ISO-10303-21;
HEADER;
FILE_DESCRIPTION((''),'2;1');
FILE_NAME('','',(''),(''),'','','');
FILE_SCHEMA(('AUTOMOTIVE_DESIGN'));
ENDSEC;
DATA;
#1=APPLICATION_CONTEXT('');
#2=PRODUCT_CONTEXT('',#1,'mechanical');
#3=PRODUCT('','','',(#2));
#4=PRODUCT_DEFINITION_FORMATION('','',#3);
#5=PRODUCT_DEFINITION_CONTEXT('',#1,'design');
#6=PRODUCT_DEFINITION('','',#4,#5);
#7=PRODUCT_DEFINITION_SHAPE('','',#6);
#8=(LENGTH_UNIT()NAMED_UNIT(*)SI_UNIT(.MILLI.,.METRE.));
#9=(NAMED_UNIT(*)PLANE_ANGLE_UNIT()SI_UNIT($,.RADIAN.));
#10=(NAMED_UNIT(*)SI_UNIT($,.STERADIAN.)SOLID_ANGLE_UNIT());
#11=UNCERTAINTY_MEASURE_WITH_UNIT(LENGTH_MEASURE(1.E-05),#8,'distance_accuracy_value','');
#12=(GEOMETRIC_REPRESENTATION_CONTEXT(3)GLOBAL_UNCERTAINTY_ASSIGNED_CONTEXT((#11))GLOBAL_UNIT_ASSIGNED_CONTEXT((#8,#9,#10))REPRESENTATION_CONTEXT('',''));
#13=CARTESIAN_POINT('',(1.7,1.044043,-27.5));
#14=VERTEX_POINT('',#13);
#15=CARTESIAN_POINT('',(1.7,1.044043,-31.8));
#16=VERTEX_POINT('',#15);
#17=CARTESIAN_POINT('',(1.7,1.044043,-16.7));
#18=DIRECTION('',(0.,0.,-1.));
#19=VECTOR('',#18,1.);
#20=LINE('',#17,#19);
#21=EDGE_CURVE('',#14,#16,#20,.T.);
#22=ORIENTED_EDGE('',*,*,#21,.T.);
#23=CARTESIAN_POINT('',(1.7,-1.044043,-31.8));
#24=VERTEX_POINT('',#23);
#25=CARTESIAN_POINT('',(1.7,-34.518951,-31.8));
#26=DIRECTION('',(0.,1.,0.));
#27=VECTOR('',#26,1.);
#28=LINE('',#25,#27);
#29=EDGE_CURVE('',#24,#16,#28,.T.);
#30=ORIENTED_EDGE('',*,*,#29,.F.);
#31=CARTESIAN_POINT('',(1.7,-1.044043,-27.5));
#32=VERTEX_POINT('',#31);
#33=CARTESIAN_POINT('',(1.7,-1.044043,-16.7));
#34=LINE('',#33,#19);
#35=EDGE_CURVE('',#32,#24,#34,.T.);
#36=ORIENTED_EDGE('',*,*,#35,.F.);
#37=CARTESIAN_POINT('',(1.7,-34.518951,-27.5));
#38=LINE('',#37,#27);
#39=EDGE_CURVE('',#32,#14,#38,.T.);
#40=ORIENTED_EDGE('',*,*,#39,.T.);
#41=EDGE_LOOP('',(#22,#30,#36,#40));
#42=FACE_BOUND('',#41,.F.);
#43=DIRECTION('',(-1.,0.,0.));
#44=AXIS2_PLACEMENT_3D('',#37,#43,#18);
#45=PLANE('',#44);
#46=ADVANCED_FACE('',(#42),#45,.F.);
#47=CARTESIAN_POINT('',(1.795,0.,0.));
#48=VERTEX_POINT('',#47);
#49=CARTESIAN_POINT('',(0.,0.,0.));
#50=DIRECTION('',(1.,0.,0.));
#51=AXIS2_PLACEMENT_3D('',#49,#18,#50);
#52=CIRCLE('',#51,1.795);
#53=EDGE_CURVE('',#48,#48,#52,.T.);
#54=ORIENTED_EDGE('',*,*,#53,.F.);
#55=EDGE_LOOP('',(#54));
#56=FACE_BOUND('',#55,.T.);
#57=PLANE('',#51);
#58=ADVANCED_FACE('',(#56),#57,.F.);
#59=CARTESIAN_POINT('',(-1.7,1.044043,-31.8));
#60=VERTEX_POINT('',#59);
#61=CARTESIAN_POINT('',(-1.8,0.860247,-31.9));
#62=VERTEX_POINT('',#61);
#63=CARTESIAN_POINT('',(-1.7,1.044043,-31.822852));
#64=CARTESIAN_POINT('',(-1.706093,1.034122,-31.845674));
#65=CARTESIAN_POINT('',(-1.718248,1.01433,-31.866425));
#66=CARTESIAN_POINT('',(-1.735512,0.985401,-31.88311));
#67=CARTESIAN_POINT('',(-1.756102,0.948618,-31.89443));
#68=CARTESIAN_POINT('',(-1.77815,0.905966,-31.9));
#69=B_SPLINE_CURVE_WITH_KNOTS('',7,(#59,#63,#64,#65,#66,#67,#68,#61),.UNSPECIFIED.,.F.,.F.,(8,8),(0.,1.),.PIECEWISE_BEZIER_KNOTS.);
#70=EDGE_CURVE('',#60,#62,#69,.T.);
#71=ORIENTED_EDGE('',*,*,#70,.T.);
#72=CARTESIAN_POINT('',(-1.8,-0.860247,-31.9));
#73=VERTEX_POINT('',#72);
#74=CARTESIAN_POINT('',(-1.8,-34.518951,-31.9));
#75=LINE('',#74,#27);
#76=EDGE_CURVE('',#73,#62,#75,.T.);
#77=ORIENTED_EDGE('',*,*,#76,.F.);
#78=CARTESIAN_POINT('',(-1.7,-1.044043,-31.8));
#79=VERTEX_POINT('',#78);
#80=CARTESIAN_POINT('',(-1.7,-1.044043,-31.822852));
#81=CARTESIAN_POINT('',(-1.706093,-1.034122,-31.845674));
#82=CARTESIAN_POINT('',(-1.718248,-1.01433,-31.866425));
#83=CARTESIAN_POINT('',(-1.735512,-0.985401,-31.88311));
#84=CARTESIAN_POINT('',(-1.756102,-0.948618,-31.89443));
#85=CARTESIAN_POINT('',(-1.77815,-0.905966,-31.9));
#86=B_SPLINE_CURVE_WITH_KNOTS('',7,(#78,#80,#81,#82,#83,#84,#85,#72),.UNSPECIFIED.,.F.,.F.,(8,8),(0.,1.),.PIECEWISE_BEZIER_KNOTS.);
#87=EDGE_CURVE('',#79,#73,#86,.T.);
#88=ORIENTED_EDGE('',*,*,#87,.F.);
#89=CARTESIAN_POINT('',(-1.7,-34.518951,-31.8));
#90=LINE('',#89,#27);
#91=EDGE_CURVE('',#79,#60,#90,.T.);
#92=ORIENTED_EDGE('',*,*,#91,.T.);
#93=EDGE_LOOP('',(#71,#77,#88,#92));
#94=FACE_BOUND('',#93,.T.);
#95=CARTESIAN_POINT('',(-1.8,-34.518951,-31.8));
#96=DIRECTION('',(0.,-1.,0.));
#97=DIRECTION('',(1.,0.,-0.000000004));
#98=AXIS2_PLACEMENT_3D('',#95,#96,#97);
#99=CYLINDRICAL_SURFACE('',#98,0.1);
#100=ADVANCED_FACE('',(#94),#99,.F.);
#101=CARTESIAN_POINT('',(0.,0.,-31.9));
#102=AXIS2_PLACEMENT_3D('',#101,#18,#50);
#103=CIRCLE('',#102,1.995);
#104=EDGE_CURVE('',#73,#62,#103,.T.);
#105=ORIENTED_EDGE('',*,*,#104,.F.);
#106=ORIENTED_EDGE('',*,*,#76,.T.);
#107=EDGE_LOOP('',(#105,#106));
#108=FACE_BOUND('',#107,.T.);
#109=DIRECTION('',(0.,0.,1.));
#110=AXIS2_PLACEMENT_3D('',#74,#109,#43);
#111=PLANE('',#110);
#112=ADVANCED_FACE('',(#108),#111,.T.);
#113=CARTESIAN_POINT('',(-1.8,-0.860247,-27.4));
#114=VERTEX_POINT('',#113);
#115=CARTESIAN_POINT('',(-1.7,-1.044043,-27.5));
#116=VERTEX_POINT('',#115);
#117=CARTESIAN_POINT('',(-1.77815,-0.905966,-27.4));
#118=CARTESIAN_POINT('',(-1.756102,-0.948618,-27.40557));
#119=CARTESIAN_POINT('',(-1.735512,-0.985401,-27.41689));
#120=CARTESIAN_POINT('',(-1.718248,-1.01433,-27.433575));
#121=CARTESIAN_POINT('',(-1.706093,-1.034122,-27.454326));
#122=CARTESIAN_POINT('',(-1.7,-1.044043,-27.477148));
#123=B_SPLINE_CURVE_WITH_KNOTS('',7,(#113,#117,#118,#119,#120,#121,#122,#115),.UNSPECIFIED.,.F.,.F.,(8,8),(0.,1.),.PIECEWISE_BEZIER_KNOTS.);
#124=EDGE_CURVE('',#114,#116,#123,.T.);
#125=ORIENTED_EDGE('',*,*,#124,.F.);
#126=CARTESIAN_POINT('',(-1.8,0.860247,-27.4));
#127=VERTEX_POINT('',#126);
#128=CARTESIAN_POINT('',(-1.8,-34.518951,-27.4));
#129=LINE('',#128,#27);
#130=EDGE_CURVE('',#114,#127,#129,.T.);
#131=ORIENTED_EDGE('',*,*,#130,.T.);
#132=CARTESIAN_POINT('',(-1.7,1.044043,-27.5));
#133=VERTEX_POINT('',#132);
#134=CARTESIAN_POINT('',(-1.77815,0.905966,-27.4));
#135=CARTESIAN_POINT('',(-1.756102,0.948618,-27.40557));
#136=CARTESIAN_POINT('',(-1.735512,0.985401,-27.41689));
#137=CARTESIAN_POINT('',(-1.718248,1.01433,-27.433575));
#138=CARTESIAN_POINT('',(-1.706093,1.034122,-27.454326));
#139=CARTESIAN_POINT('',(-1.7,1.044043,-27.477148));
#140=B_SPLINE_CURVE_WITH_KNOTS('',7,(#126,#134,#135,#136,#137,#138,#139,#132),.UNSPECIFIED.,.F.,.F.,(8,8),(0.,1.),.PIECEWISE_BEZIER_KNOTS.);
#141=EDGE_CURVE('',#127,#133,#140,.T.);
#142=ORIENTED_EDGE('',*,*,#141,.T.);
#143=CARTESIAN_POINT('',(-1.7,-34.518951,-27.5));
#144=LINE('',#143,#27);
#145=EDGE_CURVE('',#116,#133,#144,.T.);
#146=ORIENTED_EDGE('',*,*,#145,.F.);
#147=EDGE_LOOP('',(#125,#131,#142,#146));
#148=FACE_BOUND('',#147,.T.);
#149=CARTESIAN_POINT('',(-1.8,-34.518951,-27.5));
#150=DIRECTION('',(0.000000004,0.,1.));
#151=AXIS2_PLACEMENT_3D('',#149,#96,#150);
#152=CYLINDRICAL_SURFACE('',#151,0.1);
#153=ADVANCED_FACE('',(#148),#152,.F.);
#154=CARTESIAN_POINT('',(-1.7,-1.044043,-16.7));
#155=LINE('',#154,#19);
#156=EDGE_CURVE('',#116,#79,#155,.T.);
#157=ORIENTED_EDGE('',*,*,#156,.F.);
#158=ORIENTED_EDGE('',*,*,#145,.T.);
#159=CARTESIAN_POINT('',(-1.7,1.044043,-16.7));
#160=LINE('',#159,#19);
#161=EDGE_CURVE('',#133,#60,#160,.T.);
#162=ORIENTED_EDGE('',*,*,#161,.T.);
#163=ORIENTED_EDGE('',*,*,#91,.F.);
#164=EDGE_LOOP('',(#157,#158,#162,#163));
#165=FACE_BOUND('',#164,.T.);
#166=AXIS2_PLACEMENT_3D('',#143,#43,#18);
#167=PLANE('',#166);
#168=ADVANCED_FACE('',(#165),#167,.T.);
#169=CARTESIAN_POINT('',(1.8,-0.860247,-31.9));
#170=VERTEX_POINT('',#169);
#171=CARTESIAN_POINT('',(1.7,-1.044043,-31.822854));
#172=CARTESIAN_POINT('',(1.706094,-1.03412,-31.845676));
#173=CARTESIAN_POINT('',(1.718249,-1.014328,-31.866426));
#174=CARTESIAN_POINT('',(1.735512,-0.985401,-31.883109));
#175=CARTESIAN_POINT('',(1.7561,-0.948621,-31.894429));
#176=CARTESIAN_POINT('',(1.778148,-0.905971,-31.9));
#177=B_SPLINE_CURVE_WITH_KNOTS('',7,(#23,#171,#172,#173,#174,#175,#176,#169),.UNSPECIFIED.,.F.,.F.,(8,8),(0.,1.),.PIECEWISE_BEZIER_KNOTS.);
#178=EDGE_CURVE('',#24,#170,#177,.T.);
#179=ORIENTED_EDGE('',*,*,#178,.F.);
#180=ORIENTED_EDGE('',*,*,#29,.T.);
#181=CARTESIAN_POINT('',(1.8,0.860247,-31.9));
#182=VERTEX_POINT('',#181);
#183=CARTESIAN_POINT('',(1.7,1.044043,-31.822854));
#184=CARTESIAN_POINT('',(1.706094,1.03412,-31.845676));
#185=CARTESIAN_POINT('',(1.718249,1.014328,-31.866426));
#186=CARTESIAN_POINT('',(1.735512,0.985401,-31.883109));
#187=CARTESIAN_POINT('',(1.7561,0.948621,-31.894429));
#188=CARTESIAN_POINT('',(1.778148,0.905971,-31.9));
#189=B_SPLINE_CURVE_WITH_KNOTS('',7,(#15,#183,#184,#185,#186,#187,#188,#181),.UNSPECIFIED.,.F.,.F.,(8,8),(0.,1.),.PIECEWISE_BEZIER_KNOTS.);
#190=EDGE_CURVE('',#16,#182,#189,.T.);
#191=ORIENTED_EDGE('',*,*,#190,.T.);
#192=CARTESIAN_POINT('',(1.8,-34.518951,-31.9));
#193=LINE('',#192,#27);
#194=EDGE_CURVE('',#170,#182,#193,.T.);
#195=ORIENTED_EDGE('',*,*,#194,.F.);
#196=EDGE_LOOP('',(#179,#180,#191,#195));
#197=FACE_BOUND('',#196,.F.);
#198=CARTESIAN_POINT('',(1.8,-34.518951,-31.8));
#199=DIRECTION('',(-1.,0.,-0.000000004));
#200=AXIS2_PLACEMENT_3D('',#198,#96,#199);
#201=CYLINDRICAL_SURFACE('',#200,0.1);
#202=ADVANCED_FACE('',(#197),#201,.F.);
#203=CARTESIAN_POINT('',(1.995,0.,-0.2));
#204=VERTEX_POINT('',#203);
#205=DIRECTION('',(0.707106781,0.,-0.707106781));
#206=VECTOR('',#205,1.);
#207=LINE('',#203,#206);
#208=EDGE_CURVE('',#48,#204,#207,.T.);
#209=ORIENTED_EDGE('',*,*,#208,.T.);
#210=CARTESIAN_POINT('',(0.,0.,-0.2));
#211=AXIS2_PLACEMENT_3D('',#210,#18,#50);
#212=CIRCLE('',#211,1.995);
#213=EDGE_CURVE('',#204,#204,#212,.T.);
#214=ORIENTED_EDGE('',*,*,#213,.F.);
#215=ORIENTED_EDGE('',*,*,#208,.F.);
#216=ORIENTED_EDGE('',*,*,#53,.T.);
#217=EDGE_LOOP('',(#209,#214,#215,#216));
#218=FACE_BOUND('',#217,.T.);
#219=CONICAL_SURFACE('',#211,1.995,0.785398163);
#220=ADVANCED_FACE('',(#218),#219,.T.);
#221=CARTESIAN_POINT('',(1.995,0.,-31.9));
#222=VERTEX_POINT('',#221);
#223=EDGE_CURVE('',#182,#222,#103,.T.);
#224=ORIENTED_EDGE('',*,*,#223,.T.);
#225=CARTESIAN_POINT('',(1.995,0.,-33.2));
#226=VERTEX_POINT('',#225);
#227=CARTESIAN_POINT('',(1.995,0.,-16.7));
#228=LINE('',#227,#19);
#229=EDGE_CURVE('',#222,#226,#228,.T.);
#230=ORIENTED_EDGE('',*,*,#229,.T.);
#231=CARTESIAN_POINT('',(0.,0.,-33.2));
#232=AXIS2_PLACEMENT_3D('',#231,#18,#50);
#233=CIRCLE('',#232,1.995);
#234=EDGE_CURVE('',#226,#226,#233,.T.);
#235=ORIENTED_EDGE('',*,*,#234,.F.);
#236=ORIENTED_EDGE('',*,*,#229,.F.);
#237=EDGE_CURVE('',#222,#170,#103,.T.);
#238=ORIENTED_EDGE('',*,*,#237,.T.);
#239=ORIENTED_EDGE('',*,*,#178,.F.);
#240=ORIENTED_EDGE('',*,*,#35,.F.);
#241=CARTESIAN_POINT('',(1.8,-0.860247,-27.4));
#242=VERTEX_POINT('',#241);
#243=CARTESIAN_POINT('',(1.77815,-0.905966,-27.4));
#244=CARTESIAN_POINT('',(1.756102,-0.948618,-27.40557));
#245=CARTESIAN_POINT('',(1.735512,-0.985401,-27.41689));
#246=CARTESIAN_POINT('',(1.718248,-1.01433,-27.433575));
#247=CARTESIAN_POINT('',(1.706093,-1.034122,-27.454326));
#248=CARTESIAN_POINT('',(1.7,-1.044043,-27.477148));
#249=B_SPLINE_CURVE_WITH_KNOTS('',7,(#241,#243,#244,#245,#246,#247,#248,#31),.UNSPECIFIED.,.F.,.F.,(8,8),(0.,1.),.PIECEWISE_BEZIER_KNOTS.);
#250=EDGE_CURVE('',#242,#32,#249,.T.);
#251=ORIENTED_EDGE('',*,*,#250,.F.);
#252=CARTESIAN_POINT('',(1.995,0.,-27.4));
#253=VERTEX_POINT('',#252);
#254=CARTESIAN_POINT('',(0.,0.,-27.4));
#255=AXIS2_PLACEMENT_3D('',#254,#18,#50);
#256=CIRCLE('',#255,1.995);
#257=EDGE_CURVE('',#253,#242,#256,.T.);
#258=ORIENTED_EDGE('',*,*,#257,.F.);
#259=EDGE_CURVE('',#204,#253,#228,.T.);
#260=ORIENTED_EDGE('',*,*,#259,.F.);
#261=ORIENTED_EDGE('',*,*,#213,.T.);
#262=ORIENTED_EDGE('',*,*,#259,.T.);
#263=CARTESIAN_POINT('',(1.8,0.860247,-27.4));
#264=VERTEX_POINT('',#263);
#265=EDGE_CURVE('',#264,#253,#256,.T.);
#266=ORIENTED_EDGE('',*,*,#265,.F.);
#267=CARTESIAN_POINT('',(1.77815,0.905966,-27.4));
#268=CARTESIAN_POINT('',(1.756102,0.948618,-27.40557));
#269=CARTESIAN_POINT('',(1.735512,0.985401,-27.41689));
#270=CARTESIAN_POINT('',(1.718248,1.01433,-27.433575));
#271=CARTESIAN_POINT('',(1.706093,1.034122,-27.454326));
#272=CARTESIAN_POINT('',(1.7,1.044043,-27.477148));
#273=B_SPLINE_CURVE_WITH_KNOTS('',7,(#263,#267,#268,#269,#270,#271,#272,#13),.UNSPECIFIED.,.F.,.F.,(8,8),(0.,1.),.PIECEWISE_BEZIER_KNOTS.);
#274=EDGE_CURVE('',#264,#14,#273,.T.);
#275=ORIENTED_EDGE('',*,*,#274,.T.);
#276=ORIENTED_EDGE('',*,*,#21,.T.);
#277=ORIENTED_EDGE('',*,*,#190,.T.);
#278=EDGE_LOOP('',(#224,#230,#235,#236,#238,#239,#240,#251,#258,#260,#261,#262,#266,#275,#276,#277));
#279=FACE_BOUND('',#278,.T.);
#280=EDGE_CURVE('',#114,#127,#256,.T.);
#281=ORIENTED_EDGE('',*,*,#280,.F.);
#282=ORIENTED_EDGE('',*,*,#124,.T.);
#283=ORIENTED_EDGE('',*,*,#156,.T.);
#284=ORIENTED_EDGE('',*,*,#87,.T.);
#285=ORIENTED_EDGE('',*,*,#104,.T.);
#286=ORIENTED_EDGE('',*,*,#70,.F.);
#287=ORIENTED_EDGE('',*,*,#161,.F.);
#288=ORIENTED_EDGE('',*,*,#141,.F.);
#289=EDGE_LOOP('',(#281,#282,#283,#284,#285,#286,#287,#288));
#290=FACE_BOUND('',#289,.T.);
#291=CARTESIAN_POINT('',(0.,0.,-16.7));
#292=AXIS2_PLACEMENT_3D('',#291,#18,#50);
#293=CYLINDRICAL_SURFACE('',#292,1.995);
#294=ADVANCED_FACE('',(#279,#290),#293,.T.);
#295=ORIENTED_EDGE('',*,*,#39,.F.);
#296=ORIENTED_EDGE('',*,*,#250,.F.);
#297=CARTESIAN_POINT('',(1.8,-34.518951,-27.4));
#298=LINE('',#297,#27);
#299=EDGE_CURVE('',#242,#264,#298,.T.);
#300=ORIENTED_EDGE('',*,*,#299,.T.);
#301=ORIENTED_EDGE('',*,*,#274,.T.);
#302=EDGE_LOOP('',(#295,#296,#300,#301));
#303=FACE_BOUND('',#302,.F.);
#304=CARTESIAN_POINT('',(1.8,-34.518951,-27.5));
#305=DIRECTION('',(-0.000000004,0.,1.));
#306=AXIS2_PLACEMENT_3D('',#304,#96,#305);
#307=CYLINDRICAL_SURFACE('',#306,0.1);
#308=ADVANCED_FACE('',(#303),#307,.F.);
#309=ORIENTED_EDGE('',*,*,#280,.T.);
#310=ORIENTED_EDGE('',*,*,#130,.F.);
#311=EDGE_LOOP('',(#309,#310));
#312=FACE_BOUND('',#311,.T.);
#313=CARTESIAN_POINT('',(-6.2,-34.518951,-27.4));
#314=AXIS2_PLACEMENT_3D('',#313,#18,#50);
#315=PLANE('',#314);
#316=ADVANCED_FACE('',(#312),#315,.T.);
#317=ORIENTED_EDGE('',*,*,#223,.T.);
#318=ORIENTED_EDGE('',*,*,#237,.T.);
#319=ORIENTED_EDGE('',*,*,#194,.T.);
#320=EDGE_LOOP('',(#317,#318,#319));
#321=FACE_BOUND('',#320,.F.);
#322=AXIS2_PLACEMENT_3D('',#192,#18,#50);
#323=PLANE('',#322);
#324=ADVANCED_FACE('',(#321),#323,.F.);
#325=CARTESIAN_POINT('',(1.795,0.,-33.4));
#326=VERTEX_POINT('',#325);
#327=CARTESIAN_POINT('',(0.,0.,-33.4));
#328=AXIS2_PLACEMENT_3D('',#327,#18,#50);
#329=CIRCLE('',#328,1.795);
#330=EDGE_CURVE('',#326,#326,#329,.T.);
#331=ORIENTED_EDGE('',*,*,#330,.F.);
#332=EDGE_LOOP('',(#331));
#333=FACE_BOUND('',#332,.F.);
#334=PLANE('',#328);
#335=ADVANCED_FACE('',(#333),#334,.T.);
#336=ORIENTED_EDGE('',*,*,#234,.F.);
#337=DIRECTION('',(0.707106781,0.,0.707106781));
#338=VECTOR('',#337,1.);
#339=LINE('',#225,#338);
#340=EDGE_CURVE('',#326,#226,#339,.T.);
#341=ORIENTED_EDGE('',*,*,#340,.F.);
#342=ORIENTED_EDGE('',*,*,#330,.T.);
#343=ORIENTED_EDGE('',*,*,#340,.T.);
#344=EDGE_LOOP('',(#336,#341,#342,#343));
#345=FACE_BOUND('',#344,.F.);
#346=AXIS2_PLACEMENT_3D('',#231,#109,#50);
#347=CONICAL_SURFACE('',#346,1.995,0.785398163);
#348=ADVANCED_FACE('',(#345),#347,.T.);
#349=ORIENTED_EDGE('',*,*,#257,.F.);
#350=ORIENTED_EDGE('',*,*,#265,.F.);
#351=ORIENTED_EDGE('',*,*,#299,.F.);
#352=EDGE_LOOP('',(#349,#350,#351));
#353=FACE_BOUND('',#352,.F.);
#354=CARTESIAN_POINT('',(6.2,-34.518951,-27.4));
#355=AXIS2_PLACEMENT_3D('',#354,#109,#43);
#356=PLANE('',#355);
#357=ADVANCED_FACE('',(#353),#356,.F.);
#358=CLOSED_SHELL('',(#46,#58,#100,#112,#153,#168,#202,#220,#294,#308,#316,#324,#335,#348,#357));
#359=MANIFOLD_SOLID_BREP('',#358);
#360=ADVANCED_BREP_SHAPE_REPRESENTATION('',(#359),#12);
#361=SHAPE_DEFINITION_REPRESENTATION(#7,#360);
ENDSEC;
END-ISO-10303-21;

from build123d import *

# Parameters (mm, degrees)
SKIZZE1_W                            = 33.4
SKIZZE1_H                            = 1.995
FASE1_SIZE                           = 0.2
SCHNITT_LINEAR_AUSTRAGEN1_DEPTH      = 34.51895061
SCHNITT_LINEAR_AUSTRAGEN1_DEPTH_BACK = 34.51895061


with BuildPart() as part:
    # Skizze1 → Rotation1 (revolve)
    with BuildSketch(Plane(origin=(0, 0, 0), x_dir=(0, 0, -1), z_dir=(1, 0, 0))):
        with Locations((16.7, 0.9975)):
            Rectangle(SKIZZE1_W, SKIZZE1_H)
    revolve(axis=Axis((0, 0, 50.516901408), (0, 0, -1)))

    # Fase1
    fase1_edges = [part.edges().sort_by_distance(p)[0] for p in [
        (0, -1.995, -33.4),
        (0, -1.995, 0),
    ]]
    chamfer(fase1_edges, length=FASE1_SIZE)

    # Skizze2 → Schnitt-Linear austragen1 (cut, two sides: drawn at the far end of the back side and taken through both)
    with BuildSketch(Plane(origin=(0, 0, 0), x_dir=(1, 0, 0), z_dir=(0, 1, 0)).offset(-SCHNITT_LINEAR_AUSTRAGEN1_DEPTH_BACK)):
        with BuildLine():
            Line((-6.2, 27.4), (-1.8, 27.4))
            ThreePointArc((-1.8, 27.4), (-1.729289322, 27.429289322), (-1.7, 27.5))
            Line((-1.7, 27.5), (-1.7, 31.8))
            ThreePointArc((-1.7, 31.8), (-1.729289322, 31.870710678), (-1.8, 31.9))
            Line((-1.8, 31.9), (-6.2, 31.9))
            Line((-6.2, 31.9), (-6.2, 27.4))
        make_face()
        with BuildLine():
            Line((1.7, 27.5), (1.7, 31.8))
            ThreePointArc((1.7, 31.8), (1.729289322, 31.870710678), (1.8, 31.9))
            Line((1.8, 31.9), (6.2, 31.9))
            Line((6.2, 31.9), (6.2, 27.4))
            Line((6.2, 27.4), (1.8, 27.4))
            ThreePointArc((1.8, 27.4), (1.729289322, 27.429289322), (1.7, 27.5))
        make_face()
    extrude(amount=SCHNITT_LINEAR_AUSTRAGEN1_DEPTH + SCHNITT_LINEAR_AUSTRAGEN1_DEPTH_BACK, mode=Mode.SUBTRACT)


solid = part.part
